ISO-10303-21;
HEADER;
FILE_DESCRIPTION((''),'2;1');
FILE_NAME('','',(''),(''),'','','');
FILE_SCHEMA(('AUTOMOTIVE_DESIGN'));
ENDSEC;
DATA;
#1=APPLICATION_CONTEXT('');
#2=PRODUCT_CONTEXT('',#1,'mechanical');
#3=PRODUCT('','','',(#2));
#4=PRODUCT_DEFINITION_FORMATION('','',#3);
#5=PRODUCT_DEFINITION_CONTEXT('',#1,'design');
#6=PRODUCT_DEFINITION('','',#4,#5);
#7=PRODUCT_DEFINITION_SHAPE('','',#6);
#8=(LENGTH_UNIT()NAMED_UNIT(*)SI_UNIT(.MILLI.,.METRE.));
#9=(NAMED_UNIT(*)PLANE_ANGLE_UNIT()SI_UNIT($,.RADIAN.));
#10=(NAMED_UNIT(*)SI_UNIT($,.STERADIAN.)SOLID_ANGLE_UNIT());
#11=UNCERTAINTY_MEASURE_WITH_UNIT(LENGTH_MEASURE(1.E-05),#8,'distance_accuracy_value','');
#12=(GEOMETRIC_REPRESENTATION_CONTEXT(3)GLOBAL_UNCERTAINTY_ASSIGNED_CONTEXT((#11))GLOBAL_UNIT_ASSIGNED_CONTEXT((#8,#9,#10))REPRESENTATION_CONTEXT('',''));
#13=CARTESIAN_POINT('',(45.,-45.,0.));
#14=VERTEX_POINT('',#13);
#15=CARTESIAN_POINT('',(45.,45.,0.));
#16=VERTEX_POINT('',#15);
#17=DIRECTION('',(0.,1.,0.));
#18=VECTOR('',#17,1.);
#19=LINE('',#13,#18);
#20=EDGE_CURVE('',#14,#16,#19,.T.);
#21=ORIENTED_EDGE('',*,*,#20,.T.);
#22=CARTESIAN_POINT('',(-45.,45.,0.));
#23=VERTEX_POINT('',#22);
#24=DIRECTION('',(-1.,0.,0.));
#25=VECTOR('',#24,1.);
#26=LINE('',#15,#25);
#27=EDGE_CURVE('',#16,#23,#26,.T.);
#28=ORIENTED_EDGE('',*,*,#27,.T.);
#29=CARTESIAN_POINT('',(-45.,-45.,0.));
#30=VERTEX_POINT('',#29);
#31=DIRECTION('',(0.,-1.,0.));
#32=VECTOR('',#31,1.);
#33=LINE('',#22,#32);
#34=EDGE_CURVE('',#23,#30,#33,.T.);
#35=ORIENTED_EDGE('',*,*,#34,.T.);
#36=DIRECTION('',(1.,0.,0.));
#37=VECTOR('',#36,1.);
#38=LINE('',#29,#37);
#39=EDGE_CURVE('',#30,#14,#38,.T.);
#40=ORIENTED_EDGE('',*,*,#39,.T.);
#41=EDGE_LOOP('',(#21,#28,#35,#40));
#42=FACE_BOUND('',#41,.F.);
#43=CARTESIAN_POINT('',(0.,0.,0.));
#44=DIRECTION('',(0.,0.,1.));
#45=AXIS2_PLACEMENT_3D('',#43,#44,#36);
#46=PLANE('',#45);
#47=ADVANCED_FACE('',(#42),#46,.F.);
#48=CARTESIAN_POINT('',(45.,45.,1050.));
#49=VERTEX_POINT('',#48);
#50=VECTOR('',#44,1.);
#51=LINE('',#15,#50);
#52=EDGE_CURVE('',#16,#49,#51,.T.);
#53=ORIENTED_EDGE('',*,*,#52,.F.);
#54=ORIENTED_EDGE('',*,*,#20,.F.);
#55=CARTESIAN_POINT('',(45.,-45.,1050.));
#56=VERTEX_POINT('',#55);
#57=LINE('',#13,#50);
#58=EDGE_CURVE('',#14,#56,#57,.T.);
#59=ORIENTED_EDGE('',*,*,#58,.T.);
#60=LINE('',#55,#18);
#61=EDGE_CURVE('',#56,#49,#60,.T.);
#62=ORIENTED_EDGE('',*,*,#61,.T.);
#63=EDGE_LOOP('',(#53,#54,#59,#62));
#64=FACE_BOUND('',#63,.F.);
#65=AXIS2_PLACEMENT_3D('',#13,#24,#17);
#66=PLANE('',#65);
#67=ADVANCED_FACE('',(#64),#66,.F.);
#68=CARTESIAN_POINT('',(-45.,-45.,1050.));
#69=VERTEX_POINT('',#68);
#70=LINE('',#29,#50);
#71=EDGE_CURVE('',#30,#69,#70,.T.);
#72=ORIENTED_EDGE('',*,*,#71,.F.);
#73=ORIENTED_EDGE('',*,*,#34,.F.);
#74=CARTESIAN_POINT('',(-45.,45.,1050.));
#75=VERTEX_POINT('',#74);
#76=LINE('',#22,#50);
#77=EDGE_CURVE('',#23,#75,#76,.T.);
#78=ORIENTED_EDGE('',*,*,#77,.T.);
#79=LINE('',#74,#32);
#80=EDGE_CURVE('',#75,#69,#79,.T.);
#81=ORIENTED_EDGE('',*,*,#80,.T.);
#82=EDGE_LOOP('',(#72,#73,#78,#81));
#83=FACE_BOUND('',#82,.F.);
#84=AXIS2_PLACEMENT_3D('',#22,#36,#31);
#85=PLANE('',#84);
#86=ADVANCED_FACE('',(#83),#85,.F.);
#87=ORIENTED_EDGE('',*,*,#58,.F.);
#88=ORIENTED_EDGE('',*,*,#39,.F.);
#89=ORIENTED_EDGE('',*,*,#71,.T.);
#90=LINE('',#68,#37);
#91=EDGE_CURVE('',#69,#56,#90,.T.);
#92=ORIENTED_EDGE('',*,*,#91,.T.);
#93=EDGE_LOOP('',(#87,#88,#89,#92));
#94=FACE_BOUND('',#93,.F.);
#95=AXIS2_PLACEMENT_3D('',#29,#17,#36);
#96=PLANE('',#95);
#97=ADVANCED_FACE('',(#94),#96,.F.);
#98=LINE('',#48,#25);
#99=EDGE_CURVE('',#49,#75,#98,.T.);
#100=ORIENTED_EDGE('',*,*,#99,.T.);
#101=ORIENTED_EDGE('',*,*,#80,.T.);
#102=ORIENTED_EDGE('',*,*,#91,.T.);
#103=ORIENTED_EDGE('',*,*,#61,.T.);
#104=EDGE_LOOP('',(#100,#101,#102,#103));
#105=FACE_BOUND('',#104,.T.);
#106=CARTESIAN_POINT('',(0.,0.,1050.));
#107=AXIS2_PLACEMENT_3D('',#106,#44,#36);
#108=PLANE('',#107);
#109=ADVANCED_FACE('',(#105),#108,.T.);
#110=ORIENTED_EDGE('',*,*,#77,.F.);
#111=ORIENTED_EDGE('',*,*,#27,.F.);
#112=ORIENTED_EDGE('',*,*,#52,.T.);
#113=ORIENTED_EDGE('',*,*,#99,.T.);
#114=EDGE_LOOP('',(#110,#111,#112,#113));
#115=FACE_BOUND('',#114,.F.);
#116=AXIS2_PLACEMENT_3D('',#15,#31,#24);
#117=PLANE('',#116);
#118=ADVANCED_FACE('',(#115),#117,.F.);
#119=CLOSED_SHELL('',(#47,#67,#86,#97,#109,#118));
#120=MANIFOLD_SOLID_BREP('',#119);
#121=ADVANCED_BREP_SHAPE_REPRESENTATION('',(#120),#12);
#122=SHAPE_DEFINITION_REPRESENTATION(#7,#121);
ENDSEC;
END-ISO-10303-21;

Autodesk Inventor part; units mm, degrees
ref_plane "YZ Plane" through (0, 0, 0) normal (1, 0, 0) x (0, 1, 0)
ref_plane "XZ Plane" through (0, 0, 0) normal (0, 1, 0) x (-1, 0, 0)
ref_plane "XY Plane" through (0, 0, 0) normal (0, 0, 1) x (1, 0, 0)
sketch "Эскиз1" plane through (0, 0, 0) normal (0, 0, 1) x (1, 0, 0)
  line L0 (-45, -45) -> (45, -45)
  line L1 (45, -45) -> (45, 45)
  line L2 (45, 45) -> (-45, 45)
  line L3 (-45, 45) -> (-45, -45)
  line L4 (-45, -45) -> (45, 45) construction
  line L5 (45, -45) -> (-45, 45) construction
  point P0 (0, 0)
  dimension "ШИРИНА" = 90
  dimension "ТОЛЩВЫС" = 90
extrude "Выдавливание1" add sketch "Эскиз1" along normal blind 1050
properties part number "Столб-01" material "Дуб, красный"
